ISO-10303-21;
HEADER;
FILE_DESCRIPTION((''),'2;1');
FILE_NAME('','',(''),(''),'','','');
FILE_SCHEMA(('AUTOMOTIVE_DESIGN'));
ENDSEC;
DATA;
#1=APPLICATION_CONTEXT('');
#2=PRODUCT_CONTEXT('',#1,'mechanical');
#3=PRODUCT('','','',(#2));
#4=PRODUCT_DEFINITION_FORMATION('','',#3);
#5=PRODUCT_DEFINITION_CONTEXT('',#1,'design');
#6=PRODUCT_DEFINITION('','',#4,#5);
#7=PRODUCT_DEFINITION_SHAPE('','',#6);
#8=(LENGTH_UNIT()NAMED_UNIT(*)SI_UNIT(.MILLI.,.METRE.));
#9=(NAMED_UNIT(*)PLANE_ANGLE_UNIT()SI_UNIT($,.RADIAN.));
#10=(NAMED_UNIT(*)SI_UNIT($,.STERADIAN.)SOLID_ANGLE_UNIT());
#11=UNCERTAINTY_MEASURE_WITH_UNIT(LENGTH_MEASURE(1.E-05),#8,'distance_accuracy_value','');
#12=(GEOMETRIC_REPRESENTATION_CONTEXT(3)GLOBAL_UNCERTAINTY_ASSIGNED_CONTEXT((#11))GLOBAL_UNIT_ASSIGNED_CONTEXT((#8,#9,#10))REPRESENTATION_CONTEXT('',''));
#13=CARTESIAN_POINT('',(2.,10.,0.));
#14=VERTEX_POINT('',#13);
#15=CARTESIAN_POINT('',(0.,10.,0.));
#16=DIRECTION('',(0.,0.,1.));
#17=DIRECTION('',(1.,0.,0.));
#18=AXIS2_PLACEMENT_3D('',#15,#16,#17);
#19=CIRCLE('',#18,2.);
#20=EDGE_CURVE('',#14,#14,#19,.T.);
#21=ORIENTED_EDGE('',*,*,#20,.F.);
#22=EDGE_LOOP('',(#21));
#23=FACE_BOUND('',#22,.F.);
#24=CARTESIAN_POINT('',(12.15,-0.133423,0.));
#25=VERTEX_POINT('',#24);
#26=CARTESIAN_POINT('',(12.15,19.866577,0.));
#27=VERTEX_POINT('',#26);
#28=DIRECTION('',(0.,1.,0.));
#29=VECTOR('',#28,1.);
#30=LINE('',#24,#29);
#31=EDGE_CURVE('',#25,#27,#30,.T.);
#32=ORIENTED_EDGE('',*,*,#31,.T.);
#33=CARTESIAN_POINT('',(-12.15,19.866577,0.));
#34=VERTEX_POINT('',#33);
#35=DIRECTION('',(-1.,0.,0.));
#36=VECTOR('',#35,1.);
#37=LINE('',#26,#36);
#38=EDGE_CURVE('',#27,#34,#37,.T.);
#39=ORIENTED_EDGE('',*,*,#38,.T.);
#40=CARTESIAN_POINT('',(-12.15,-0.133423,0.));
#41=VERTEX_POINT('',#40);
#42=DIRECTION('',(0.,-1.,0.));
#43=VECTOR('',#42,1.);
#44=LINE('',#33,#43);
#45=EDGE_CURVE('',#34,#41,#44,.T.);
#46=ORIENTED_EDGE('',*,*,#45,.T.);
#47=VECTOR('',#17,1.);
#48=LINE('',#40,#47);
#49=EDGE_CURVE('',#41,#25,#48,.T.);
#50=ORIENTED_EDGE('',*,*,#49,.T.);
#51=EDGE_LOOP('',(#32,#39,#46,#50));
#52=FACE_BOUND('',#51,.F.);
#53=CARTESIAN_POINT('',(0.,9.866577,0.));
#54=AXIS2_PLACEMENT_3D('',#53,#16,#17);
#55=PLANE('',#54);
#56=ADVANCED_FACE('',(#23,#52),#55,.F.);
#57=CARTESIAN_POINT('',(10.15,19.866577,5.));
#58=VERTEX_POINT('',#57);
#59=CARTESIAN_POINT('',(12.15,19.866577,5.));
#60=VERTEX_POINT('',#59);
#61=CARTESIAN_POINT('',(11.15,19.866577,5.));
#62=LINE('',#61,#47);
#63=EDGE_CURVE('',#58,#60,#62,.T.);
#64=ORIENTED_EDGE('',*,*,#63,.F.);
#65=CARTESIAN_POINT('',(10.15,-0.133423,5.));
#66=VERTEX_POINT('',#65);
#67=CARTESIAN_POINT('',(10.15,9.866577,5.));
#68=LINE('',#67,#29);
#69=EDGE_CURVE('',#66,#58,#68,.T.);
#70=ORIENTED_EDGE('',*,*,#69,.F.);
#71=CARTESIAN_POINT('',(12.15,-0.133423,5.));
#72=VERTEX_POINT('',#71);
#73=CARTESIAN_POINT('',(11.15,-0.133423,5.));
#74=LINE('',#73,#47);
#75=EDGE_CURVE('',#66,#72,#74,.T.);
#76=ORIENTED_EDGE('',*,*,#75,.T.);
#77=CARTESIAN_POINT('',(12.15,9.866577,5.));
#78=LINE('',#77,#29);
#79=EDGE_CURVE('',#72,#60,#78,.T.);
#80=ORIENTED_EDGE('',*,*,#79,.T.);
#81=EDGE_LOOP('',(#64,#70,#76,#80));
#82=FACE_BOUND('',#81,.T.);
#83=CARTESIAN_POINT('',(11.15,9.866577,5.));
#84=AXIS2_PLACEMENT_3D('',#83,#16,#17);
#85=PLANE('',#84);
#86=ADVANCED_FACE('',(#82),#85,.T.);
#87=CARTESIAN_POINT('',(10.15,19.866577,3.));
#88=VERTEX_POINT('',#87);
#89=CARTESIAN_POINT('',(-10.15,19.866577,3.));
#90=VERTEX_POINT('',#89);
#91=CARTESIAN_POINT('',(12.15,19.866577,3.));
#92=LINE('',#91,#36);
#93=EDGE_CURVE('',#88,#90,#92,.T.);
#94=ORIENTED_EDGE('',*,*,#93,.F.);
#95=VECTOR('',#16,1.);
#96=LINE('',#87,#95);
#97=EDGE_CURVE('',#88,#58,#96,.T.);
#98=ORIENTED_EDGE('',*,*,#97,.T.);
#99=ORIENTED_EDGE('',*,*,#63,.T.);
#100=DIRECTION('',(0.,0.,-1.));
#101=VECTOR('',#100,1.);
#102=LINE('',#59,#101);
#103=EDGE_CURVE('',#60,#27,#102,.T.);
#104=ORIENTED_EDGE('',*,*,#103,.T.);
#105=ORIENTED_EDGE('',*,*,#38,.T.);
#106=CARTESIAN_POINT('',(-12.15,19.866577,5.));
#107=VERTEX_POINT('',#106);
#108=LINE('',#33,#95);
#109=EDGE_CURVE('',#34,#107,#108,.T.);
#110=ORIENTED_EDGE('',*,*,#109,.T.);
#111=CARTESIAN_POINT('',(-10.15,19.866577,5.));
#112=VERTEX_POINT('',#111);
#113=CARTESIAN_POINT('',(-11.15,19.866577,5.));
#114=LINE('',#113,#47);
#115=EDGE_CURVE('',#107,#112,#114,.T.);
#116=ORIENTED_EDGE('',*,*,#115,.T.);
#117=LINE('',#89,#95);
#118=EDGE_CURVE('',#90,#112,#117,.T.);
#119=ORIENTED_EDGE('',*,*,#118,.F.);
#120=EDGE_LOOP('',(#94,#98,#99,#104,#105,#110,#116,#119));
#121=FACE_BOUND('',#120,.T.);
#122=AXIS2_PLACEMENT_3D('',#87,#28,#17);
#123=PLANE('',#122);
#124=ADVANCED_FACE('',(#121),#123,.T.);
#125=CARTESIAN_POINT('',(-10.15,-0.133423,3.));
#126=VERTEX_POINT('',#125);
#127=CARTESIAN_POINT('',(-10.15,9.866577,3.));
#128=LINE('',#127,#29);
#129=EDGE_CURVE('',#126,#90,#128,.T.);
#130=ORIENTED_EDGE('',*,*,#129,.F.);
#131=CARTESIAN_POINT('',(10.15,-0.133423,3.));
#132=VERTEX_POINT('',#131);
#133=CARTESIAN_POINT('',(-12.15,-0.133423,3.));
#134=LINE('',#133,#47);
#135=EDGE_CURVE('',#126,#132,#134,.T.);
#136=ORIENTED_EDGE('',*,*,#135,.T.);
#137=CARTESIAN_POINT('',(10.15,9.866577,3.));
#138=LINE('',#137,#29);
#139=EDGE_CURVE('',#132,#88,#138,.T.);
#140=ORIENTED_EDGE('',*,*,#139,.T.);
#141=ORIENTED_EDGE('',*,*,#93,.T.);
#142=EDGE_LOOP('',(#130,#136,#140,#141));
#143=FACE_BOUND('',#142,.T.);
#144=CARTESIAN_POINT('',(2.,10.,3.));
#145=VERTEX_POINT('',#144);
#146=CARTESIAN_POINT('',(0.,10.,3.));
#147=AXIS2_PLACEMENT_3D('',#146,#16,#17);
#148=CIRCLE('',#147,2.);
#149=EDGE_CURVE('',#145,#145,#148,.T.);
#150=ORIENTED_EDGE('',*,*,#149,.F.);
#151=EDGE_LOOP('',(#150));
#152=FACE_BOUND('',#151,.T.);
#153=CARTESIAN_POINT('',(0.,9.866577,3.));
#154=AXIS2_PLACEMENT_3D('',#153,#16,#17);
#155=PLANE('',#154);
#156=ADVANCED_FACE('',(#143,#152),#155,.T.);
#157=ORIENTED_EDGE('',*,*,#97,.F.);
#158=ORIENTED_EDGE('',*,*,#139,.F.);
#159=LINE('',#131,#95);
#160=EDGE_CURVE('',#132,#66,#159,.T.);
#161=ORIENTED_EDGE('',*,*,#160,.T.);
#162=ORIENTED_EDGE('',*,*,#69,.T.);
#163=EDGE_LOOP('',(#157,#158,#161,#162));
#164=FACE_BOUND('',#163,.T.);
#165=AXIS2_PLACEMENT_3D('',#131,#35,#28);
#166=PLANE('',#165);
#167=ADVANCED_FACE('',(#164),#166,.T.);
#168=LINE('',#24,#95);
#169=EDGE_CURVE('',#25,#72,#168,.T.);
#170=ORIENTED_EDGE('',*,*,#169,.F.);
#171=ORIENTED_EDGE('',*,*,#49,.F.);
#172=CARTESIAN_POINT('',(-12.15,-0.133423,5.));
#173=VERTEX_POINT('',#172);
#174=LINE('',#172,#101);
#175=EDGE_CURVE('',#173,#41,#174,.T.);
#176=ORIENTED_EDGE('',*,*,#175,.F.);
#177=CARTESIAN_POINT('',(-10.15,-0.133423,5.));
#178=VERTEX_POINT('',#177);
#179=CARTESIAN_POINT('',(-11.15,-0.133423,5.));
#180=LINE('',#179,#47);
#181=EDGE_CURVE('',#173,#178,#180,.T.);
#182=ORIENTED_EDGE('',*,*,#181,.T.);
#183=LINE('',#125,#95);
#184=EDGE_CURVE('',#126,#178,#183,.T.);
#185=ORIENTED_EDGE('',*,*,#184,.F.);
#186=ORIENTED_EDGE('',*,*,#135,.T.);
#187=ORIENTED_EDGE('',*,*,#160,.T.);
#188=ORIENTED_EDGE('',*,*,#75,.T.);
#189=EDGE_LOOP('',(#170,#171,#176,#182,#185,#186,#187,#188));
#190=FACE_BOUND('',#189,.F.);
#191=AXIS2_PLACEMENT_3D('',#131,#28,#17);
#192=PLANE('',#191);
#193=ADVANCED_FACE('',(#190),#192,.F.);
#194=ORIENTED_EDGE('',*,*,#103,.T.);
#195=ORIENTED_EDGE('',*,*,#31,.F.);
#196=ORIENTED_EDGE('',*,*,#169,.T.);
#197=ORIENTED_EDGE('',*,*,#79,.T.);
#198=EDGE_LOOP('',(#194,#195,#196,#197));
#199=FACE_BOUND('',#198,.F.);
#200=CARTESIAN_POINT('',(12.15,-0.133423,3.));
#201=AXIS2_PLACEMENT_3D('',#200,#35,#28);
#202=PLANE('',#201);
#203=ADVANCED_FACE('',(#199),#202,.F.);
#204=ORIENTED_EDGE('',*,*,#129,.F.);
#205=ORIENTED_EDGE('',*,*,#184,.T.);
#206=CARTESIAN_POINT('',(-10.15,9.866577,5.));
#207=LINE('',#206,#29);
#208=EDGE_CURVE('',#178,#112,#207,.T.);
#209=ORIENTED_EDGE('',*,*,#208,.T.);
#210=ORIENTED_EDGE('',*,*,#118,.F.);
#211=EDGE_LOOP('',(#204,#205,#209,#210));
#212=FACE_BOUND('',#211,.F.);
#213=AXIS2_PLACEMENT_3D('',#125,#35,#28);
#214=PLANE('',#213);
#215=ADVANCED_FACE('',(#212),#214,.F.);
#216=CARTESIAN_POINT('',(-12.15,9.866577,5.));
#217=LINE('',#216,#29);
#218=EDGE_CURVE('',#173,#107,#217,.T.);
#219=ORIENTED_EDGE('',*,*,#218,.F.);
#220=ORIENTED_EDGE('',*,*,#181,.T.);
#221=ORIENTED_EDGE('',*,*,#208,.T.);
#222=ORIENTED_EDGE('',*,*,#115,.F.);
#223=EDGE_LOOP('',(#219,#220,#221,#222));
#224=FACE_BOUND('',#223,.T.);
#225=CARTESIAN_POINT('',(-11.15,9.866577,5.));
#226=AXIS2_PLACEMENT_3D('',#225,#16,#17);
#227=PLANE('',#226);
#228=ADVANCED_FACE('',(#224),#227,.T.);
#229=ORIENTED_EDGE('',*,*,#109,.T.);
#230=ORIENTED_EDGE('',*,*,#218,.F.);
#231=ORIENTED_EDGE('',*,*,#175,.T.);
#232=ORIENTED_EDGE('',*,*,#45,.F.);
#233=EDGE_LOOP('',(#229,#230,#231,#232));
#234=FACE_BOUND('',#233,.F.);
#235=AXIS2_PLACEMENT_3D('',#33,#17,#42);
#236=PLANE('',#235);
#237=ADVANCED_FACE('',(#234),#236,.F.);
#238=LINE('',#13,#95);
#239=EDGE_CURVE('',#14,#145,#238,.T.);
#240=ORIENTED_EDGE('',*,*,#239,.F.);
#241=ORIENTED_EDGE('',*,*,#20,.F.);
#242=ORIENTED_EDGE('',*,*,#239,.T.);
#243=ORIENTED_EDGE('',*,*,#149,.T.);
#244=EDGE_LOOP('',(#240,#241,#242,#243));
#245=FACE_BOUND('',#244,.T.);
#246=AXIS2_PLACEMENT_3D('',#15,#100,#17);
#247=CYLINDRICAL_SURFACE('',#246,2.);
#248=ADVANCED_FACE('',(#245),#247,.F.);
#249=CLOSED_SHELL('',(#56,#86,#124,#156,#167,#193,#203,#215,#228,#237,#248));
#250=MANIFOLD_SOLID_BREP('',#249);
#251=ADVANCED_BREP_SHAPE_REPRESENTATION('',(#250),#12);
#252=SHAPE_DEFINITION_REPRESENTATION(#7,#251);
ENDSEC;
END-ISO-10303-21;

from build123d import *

# Parameters (mm, degrees)
F0_R     = 2
F1_DEPTH = 3
F2_W     = 2
F2_H     = 20
F3_DEPTH = 2


with BuildPart() as f1:
    # F0 (on Top) → F1 (new body)
    with BuildSketch(Plane.XY):
        Polygon((-10.15, -0.133423), (0, -0.133423), (10.15, -0.133423), (12.15, -0.133423), (12.15, 19.866577), (10.15, 19.866577), (0, 19.866577), (-10.15, 19.866577), (-12.15, 19.866577), (-12.15, -0.133423), align=None)
        with Locations((0, 10)):
            Circle(F0_R, mode=Mode.SUBTRACT)
    extrude(amount=F1_DEPTH)

    # F2 (on face) → F3 (join)
    with BuildSketch(Plane.XY.offset(3)):
        with Locations((11.15, 9.866577)):
            Rectangle(F2_W, F2_H)
        with Locations((-11.15, 9.866577)):
            Rectangle(F2_W, F2_H)
    extrude(amount=F3_DEPTH)


solid = f1.part
